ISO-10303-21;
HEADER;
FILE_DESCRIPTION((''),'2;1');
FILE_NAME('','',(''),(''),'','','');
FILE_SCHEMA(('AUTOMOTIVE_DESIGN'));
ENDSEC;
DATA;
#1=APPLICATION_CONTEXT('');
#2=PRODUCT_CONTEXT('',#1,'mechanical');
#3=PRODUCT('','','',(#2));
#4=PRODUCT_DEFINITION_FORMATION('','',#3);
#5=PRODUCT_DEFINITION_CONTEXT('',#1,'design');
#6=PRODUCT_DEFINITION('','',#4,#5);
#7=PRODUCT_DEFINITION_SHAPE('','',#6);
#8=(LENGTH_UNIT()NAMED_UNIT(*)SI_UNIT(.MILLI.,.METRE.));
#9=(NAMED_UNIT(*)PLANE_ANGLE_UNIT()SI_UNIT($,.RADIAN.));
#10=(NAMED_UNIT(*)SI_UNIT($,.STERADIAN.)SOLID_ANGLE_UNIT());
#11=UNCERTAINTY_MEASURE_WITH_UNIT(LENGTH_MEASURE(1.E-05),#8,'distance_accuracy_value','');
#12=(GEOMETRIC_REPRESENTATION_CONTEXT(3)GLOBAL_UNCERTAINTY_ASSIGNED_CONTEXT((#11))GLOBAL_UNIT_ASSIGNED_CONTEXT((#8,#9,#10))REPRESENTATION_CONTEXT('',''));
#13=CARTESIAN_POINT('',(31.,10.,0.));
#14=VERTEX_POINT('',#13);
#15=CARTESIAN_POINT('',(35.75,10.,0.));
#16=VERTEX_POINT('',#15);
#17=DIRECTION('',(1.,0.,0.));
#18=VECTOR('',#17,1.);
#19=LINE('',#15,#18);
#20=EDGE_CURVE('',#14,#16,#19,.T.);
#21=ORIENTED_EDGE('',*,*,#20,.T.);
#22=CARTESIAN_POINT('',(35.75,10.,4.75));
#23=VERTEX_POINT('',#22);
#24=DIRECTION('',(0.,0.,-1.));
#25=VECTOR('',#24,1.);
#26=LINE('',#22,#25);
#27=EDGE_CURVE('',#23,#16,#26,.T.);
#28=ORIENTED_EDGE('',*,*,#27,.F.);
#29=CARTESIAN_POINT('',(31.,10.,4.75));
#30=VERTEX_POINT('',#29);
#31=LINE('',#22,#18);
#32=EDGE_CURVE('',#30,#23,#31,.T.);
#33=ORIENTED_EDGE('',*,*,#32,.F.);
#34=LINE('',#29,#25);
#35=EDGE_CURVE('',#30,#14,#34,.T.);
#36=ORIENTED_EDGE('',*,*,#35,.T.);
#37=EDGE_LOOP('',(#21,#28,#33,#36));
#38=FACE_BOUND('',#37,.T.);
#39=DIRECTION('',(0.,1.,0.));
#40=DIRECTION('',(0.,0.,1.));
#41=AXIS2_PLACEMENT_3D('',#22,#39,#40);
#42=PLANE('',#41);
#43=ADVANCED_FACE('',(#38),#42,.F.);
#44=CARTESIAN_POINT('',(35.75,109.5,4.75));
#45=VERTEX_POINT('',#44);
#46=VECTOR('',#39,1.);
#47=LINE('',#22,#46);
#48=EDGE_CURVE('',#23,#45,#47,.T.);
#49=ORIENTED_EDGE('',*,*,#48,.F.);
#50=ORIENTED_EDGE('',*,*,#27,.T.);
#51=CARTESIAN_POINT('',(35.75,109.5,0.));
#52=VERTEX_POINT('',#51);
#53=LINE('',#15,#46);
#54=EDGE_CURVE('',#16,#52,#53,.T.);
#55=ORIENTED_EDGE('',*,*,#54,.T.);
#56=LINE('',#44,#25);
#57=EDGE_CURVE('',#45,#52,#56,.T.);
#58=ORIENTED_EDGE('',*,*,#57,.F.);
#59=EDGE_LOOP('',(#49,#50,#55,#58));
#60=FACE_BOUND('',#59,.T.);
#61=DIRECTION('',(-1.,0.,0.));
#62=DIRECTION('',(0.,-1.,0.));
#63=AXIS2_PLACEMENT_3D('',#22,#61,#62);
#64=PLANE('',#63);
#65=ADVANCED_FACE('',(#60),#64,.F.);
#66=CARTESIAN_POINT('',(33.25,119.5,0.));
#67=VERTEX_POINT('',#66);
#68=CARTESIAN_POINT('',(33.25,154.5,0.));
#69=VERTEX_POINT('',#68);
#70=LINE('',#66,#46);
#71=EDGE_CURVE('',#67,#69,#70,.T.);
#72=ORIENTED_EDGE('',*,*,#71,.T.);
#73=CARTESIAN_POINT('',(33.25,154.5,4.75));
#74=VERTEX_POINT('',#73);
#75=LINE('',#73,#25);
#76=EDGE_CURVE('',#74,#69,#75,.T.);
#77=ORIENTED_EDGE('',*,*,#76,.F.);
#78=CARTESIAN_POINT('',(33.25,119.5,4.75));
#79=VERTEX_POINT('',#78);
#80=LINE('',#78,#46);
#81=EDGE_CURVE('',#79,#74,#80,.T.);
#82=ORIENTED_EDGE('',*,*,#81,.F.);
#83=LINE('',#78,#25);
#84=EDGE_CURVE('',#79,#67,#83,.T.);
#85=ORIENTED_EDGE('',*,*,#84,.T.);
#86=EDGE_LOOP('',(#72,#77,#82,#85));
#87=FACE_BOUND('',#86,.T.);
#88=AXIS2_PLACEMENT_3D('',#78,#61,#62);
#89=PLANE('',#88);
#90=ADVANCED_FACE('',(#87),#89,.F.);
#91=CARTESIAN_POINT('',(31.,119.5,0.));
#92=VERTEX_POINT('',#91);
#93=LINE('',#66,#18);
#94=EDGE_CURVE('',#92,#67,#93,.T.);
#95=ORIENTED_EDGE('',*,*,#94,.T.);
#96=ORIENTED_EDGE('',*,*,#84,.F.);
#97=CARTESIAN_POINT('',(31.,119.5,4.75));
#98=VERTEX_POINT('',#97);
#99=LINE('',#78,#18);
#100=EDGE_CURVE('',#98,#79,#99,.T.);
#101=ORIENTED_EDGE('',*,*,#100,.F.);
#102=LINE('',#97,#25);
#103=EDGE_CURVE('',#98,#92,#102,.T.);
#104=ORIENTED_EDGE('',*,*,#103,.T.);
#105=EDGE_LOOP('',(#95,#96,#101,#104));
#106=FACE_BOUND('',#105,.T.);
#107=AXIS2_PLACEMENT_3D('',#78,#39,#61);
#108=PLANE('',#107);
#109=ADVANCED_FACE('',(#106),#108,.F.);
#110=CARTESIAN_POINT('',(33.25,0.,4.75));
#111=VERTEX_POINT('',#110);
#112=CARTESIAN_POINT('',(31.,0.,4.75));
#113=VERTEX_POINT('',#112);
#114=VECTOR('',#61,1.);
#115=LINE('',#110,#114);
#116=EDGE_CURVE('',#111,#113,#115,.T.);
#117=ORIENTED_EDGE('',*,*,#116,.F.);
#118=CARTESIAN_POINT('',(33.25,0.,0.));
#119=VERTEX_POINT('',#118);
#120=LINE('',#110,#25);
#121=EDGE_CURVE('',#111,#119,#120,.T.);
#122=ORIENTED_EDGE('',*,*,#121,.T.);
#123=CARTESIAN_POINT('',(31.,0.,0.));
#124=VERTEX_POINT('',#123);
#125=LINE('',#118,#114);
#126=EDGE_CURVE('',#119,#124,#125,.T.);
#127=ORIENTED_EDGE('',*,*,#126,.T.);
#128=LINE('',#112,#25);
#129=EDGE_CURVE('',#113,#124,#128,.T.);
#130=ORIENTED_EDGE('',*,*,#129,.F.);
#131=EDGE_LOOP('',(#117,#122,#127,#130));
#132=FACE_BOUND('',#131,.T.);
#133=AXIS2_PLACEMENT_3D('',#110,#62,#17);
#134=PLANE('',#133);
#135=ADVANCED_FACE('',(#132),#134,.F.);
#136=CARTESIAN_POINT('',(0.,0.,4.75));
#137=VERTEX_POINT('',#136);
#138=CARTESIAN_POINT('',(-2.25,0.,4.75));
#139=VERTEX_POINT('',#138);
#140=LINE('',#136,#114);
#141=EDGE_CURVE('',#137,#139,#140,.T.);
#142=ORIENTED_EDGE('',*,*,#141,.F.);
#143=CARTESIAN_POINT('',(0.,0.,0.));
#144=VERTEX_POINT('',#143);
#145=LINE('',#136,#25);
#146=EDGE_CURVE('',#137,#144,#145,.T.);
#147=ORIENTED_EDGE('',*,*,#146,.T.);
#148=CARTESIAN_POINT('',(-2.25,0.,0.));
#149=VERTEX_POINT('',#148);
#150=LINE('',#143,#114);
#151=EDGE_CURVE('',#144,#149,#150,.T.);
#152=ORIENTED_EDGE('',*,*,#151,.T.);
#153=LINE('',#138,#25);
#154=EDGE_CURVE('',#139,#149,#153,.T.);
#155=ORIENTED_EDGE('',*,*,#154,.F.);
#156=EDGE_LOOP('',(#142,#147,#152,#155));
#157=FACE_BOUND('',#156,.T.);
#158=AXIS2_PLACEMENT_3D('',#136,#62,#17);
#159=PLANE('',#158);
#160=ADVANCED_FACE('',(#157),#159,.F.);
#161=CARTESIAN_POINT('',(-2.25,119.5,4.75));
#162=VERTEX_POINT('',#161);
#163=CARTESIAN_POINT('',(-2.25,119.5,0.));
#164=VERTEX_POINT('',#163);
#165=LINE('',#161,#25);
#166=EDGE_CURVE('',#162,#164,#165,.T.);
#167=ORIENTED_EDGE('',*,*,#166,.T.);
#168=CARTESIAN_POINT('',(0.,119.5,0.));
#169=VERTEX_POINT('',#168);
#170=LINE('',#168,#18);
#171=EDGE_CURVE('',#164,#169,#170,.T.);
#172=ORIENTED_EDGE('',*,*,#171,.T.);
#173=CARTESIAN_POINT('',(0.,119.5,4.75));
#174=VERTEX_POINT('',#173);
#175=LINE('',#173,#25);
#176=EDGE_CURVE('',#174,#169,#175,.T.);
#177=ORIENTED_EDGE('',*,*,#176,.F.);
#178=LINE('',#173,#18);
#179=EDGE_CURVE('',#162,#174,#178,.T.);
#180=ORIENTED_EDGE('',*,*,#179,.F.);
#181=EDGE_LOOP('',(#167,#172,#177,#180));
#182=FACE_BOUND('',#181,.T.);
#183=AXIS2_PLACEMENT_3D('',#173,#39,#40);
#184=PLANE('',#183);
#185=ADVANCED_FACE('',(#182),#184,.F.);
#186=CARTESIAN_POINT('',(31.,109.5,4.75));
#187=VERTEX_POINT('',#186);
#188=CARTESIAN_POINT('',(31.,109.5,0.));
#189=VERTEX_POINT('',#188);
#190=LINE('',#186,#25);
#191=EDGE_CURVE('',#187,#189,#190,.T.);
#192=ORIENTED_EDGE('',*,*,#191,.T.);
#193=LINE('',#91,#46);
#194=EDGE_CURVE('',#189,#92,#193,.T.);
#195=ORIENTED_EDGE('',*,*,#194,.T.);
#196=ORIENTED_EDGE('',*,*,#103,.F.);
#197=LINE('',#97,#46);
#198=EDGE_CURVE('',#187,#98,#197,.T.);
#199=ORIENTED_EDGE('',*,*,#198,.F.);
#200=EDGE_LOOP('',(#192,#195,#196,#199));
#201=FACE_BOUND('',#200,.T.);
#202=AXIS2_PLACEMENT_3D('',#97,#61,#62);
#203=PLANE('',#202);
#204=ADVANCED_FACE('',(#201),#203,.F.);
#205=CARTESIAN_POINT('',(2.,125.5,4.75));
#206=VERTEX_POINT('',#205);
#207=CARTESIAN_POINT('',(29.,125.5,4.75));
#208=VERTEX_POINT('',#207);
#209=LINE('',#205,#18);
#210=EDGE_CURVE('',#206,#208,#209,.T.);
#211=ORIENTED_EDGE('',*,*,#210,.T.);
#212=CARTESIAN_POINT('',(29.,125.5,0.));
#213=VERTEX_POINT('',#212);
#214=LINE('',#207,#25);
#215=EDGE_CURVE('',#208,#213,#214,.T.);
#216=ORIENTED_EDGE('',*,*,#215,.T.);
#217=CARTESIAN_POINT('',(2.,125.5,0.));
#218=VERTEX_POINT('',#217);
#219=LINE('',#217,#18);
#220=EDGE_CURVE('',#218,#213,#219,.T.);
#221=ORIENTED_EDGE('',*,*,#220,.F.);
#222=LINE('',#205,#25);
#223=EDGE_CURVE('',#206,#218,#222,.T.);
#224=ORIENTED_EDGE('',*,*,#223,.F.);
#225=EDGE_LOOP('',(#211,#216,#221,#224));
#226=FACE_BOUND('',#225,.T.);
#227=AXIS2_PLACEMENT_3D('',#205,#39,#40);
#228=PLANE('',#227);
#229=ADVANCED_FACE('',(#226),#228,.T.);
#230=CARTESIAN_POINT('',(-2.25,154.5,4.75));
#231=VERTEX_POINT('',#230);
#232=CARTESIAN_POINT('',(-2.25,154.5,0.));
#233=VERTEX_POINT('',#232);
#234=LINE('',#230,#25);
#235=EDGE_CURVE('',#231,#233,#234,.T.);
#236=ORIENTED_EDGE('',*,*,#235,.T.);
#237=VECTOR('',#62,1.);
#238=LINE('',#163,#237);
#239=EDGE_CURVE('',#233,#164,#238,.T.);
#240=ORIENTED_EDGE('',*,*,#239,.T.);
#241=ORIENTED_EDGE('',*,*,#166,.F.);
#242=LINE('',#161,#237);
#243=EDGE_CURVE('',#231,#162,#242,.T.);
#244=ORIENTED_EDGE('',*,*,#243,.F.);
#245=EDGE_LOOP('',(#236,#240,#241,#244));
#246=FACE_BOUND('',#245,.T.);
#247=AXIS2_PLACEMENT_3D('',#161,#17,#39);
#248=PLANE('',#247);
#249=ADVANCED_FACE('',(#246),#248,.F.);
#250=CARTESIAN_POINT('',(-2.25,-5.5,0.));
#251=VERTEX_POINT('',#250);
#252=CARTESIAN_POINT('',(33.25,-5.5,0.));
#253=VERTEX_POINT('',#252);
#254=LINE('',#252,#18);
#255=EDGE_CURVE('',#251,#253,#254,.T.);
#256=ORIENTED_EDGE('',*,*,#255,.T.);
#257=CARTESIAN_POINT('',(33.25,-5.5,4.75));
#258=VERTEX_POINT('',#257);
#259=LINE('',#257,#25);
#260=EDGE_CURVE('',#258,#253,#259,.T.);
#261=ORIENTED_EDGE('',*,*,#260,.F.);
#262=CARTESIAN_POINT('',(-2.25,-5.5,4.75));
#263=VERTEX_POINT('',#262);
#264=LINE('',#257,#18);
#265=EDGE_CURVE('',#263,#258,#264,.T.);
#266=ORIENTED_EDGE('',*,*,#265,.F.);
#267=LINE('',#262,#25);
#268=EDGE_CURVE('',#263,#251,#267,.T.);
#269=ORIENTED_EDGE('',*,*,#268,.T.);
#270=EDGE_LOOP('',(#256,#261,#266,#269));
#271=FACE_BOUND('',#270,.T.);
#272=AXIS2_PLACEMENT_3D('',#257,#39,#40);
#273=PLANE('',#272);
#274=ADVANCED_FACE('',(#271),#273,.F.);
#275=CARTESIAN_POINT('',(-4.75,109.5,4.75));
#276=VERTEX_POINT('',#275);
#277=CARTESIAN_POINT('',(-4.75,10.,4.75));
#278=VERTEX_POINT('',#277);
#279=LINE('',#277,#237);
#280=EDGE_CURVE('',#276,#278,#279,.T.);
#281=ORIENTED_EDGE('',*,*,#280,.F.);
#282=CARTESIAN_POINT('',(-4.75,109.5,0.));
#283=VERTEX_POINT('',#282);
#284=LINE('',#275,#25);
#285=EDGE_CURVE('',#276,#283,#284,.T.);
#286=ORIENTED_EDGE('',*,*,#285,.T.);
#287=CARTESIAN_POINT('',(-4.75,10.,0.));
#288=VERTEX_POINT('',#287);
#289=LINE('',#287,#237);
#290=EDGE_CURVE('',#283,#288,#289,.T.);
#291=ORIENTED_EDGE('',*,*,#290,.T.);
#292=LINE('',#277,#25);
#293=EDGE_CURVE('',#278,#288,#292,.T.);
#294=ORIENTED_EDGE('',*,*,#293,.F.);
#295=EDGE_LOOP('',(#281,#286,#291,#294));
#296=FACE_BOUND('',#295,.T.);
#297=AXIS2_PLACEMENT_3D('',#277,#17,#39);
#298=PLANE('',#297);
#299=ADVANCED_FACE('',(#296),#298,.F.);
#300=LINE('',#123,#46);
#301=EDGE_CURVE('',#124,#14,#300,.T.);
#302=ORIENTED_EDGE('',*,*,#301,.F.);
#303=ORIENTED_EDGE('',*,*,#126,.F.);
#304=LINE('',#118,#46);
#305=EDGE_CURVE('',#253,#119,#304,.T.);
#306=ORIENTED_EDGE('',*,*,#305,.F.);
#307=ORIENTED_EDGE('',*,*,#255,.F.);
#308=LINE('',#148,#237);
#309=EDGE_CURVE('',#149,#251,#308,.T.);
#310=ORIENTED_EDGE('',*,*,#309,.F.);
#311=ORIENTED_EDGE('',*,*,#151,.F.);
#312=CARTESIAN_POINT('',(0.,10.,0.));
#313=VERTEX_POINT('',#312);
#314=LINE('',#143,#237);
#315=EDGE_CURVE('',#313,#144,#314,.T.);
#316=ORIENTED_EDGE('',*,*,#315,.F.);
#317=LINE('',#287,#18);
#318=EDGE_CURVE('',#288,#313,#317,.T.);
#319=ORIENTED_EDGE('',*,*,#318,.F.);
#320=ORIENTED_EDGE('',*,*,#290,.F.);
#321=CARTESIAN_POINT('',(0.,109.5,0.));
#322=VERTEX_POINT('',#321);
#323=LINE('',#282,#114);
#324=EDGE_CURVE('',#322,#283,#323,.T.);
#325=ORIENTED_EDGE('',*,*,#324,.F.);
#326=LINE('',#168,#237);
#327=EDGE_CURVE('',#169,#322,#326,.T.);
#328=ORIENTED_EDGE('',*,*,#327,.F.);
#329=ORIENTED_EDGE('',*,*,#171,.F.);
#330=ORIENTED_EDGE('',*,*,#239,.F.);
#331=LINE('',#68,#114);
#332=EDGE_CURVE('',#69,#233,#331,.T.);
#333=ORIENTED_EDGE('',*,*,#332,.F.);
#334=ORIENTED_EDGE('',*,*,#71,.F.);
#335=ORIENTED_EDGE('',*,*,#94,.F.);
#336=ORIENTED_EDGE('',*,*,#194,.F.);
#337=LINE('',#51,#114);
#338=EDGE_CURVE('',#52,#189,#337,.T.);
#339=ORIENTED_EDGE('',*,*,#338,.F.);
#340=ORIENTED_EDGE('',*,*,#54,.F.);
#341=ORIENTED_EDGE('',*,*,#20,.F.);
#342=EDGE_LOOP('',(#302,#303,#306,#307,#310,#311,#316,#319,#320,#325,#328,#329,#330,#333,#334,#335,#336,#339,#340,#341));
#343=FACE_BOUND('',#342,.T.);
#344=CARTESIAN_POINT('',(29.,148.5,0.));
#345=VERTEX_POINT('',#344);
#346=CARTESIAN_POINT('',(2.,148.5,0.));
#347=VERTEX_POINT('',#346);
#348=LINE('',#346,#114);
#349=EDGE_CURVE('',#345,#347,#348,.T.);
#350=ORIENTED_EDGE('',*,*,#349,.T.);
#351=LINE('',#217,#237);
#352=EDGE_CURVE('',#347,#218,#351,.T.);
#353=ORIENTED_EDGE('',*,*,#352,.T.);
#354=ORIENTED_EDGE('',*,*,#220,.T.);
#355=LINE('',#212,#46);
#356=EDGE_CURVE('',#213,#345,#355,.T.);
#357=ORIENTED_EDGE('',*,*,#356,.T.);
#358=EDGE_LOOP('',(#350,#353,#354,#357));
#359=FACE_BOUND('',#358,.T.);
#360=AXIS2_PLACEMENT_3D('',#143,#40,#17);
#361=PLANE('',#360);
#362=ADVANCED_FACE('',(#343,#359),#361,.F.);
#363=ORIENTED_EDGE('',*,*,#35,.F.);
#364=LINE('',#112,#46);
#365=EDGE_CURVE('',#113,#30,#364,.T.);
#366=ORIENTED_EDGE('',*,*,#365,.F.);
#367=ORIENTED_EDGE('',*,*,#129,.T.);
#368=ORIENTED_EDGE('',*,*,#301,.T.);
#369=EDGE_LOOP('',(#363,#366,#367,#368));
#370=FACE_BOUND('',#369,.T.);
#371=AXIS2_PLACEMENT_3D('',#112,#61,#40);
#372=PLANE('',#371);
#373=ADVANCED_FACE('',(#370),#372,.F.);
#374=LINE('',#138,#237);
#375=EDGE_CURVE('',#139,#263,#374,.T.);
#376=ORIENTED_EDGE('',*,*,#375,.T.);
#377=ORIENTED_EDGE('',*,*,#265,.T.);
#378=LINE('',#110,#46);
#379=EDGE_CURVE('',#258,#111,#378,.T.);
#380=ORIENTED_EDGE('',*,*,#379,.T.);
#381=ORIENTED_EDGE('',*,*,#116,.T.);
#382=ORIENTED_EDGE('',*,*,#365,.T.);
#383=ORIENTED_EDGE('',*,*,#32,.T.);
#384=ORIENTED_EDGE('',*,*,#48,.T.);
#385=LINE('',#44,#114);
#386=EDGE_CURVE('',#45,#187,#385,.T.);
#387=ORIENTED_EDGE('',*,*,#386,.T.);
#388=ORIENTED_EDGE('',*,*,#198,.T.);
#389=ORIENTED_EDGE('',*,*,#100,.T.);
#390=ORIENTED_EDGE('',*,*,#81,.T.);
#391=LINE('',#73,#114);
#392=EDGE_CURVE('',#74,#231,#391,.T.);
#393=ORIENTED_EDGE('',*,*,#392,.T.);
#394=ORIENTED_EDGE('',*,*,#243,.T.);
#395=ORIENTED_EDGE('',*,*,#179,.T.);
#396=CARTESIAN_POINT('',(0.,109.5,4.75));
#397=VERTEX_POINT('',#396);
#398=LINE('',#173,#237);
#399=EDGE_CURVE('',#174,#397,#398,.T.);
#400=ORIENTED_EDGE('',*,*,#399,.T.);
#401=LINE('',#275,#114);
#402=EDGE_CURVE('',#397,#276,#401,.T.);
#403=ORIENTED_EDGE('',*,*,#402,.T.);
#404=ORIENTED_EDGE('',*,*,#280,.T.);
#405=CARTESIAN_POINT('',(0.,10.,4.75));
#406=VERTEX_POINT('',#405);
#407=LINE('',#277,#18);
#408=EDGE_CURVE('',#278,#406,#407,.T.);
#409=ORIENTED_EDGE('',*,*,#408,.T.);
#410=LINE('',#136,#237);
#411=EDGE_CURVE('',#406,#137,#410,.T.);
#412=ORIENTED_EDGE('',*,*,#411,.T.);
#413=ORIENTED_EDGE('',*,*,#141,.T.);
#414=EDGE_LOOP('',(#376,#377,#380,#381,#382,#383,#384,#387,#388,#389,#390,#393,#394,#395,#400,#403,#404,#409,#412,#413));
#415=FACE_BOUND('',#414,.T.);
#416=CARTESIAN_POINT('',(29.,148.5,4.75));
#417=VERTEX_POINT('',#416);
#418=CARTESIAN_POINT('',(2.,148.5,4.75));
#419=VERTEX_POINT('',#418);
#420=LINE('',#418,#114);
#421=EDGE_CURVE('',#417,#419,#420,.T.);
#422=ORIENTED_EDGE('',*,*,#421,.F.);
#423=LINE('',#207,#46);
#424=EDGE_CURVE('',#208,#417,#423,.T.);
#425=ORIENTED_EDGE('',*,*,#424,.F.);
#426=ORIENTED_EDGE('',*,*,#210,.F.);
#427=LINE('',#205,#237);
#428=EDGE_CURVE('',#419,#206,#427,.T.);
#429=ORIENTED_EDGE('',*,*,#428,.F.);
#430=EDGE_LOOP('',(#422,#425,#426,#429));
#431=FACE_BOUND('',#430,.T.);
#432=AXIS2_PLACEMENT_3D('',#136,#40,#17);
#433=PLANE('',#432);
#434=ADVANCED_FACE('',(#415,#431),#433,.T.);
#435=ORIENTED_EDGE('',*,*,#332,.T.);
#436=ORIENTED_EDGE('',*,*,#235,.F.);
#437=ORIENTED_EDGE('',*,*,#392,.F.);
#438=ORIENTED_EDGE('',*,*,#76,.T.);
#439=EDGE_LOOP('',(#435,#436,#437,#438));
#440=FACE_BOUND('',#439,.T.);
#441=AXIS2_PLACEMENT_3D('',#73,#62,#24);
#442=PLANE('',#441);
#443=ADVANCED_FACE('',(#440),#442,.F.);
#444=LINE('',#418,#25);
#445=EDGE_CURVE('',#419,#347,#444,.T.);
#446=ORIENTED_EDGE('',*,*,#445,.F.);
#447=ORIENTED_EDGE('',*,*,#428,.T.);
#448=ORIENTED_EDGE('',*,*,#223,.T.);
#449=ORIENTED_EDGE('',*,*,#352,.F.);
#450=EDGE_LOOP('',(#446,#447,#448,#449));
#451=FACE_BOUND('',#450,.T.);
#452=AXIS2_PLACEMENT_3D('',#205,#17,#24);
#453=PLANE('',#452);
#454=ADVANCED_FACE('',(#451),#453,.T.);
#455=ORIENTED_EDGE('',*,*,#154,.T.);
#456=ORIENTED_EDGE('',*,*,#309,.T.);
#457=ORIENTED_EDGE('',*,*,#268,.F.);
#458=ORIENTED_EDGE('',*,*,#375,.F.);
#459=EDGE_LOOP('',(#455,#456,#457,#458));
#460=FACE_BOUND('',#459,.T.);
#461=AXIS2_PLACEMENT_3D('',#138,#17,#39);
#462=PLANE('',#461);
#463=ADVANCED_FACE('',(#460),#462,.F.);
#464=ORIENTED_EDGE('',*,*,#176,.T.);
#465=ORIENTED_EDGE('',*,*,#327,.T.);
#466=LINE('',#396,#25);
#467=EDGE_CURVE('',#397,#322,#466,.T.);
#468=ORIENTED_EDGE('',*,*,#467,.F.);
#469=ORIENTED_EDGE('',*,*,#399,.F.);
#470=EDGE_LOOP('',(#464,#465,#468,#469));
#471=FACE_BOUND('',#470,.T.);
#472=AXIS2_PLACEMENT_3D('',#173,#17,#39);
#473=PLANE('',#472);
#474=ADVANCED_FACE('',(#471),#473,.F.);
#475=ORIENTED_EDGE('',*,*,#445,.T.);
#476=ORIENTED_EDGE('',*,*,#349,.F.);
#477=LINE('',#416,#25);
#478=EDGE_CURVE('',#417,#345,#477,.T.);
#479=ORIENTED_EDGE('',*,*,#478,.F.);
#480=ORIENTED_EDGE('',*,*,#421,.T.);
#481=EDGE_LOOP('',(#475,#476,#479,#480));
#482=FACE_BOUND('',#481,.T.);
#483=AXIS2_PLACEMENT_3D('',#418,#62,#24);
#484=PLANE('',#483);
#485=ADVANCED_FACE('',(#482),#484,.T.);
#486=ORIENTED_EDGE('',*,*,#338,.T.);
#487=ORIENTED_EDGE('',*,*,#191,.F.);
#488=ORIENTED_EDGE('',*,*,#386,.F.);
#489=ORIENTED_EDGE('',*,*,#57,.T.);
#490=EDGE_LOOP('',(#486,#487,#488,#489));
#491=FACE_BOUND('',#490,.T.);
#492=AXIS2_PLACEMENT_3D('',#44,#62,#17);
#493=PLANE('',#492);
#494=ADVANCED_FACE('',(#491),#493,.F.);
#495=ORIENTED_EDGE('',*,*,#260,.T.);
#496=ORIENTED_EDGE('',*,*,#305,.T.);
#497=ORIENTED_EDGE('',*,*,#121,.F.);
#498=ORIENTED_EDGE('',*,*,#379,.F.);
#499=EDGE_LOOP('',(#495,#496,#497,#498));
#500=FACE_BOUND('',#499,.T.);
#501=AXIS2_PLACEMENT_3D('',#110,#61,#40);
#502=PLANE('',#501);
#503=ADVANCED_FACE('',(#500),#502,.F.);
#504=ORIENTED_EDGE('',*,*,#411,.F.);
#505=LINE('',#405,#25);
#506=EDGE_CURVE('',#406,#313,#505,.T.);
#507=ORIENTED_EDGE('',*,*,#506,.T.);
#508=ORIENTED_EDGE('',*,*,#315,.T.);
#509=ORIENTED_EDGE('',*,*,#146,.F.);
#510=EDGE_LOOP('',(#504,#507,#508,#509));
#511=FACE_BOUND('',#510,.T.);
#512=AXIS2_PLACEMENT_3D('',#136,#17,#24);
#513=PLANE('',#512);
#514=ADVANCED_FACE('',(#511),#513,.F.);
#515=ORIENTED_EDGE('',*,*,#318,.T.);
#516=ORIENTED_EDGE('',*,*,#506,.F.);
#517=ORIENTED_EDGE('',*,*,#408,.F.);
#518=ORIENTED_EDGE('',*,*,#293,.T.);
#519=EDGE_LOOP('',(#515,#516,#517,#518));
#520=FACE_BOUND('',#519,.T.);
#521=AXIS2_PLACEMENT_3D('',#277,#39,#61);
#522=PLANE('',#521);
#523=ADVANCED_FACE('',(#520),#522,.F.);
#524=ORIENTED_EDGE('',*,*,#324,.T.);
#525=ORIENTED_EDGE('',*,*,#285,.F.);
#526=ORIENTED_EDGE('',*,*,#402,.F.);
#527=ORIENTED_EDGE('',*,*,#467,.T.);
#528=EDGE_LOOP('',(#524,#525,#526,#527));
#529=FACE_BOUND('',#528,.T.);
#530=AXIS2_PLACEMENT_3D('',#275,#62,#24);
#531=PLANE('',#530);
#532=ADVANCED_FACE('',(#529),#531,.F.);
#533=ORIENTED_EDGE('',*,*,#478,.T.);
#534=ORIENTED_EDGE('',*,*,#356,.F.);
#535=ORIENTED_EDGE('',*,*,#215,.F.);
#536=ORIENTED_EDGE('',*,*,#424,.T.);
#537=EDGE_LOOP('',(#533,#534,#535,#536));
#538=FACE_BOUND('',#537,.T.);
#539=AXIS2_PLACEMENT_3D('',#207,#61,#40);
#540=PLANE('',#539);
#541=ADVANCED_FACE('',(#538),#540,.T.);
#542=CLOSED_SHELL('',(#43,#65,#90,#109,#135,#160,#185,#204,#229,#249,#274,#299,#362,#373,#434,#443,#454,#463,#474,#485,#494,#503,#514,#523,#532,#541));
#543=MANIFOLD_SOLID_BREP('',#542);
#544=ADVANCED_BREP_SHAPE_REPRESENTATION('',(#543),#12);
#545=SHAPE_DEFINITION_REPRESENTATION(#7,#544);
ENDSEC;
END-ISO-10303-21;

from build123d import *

# Parameters (mm, degrees)
SKETCH1_W           = 27
SKETCH1_H           = 23
BOSS_EXTRUDE1_DEPTH = 4.75


with BuildPart() as part:
    # Sketch1 → Boss-Extrude1 (new body)
    with BuildSketch(Plane.XY):
        Polygon((-4.75, 10), (-4.75, 109.5), (0, 109.5), (0, 119.5), (-2.25, 119.5), (-2.25, 154.5), (33.25, 154.5), (33.25, 119.5), (31, 119.5), (31, 109.5), (35.75, 109.5), (35.75, 10), (31, 10), (31, 0), (33.25, 0), (33.25, -5.5), (-2.25, -5.5), (-2.25, 0), (0, 0), (0, 10), align=None)
        with Locations((15.5, 137)):
            Rectangle(SKETCH1_W, SKETCH1_H, mode=Mode.SUBTRACT)
    extrude(amount=BOSS_EXTRUDE1_DEPTH)


solid = part.part
